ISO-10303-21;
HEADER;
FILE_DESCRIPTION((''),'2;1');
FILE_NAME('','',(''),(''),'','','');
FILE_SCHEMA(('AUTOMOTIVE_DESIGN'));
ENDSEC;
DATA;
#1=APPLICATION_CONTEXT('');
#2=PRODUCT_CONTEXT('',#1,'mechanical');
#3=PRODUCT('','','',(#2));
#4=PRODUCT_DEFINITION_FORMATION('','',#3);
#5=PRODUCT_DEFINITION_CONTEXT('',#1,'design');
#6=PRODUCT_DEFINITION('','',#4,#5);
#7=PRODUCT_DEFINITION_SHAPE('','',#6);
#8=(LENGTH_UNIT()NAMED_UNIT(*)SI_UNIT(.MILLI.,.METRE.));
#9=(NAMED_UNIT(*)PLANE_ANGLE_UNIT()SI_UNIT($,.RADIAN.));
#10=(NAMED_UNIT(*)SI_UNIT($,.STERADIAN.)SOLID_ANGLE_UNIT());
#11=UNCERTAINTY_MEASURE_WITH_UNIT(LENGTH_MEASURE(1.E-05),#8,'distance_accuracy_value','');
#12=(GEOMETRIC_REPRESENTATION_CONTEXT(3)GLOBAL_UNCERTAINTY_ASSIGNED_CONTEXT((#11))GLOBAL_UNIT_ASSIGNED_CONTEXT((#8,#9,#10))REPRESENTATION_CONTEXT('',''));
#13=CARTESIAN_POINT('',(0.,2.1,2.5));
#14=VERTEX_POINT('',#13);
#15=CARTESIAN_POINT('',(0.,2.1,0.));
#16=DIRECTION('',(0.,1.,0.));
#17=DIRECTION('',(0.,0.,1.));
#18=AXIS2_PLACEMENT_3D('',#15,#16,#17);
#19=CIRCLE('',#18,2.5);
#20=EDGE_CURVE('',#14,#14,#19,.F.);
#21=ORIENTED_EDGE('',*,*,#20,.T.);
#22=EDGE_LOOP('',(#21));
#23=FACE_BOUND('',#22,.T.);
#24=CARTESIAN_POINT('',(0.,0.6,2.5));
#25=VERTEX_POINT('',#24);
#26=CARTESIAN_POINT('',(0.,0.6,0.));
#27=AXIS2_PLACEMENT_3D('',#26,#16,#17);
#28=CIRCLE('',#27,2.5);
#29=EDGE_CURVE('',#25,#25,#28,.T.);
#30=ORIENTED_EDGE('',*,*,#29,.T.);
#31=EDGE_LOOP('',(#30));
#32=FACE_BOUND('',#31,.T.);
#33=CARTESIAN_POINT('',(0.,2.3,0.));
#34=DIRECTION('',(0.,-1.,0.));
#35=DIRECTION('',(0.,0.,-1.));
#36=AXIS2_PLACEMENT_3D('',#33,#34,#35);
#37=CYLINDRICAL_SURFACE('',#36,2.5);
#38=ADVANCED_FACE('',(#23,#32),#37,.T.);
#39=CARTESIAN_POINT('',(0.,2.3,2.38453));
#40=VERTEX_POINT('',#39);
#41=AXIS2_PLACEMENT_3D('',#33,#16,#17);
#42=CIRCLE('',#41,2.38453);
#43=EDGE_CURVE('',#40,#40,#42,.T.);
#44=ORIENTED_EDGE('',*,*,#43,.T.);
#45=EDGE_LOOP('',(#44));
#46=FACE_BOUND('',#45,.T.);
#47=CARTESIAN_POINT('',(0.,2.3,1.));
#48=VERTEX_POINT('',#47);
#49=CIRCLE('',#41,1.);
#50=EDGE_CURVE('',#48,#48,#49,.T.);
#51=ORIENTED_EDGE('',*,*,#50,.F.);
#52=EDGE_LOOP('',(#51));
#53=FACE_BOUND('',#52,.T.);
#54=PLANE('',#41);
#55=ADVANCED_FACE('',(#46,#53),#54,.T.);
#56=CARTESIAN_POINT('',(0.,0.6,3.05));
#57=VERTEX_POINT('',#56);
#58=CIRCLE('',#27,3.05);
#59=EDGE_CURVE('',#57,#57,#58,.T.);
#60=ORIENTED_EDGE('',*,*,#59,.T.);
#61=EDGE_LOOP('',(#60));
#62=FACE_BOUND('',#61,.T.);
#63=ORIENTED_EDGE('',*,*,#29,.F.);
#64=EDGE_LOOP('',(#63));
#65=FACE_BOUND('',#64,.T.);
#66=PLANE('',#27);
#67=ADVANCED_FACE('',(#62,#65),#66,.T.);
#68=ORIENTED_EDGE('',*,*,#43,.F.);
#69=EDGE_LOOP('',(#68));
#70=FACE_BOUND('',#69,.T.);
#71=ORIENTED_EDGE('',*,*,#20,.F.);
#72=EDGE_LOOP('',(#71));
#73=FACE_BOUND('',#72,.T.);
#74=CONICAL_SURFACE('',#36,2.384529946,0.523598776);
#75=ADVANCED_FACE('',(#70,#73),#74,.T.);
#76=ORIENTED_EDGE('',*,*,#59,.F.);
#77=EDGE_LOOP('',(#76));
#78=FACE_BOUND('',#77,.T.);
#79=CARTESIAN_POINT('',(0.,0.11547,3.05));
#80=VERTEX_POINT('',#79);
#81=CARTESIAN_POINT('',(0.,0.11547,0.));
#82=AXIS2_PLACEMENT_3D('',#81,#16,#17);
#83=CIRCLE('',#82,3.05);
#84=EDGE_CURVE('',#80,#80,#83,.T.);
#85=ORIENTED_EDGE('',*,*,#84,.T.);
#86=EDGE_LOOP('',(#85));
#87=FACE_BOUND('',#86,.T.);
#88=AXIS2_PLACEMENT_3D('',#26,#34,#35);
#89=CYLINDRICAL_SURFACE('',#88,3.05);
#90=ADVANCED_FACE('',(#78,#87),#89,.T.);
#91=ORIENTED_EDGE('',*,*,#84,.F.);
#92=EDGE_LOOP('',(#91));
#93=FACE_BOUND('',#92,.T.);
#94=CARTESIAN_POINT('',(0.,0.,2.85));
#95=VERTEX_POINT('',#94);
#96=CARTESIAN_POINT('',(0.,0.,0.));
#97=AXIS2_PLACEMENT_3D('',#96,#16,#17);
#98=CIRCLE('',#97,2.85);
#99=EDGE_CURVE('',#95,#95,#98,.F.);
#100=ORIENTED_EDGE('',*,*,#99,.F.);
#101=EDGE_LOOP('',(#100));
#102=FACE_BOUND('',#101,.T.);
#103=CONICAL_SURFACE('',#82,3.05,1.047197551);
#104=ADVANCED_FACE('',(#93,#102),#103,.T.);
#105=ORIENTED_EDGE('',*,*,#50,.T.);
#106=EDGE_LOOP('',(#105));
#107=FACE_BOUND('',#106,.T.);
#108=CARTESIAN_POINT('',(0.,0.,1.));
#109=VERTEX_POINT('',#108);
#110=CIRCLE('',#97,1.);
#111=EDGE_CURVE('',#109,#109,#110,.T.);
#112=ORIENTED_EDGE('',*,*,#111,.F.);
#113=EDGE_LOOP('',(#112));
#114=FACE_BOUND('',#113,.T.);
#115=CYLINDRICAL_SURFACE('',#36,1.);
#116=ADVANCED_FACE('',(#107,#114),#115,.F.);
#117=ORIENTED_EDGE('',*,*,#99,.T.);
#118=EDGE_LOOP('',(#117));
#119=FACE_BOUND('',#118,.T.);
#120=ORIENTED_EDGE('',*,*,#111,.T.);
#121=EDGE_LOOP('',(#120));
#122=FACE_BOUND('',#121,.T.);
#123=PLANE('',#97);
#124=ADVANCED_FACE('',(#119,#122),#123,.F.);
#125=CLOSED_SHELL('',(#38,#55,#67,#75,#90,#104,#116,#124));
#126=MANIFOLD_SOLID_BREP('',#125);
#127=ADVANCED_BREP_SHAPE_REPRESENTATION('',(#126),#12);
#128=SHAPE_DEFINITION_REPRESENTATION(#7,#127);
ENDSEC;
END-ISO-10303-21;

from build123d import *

# Parameters (mm, degrees)
SKETCH_1_R             = 2.5
SKETCH_1_R_2           = 1
EXTRUDE_1_DEPTH        = 2.3
SKETCH_1_3_R           = 3.05
SKETCH_1_3_R_2         = 2.5
EXTRUDE_2_DEPTH        = 0.6
CHAMFER_1_SIZE         = 0.2
CHAMFER_1_SIZE2        = 0.115470054
CHAMFER_1_PART_2_SIZE  = 0.2
CHAMFER_1_PART_2_SIZE2 = 0.115470054


with BuildPart() as part:
    # Sketch 1 → Extrude 1 (new body)
    with BuildSketch(Plane(origin=(0, 0, 0), x_dir=(1, 0, 0), z_dir=(0, 1, 0))):
        Circle(SKETCH_1_R)
        Circle(SKETCH_1_R_2, mode=Mode.SUBTRACT)
    extrude(amount=EXTRUDE_1_DEPTH)

    # Sketch 1_3 → Extrude 2 (add)
    with BuildSketch(Plane(origin=(0, 0, 0), x_dir=(1, 0, 0), z_dir=(0, 1, 0))):
        Circle(SKETCH_1_3_R)
        Circle(SKETCH_1_3_R_2, mode=Mode.SUBTRACT)
    extrude(amount=EXTRUDE_2_DEPTH)

    # Chamfer 1
    chamfer_1_edges = [part.edges().sort_by_distance(p)[0] for p in [
        (-2.5, 2.3, 0),
    ]]
    chamfer_1_side = [part.faces().sort_by_distance(p)[0] for p in [
        (-2.5, 1.45, 0),
    ]]
    chamfer(chamfer_1_edges, length=CHAMFER_1_SIZE, length2=CHAMFER_1_SIZE2, reference=chamfer_1_side[0])

    # Chamfer 1 part 2
    chamfer_1_part_2_edges = [part.edges().sort_by_distance(p)[0] for p in [
        (-3.05, 0, 0),
    ]]
    chamfer_1_part_2_side = [part.faces().sort_by_distance(p)[0] for p in [
        (-2.963732973, 0, 0),
    ]]
    chamfer(chamfer_1_part_2_edges, length=CHAMFER_1_PART_2_SIZE, length2=CHAMFER_1_PART_2_SIZE2, reference=chamfer_1_part_2_side[0])


solid = part.part
